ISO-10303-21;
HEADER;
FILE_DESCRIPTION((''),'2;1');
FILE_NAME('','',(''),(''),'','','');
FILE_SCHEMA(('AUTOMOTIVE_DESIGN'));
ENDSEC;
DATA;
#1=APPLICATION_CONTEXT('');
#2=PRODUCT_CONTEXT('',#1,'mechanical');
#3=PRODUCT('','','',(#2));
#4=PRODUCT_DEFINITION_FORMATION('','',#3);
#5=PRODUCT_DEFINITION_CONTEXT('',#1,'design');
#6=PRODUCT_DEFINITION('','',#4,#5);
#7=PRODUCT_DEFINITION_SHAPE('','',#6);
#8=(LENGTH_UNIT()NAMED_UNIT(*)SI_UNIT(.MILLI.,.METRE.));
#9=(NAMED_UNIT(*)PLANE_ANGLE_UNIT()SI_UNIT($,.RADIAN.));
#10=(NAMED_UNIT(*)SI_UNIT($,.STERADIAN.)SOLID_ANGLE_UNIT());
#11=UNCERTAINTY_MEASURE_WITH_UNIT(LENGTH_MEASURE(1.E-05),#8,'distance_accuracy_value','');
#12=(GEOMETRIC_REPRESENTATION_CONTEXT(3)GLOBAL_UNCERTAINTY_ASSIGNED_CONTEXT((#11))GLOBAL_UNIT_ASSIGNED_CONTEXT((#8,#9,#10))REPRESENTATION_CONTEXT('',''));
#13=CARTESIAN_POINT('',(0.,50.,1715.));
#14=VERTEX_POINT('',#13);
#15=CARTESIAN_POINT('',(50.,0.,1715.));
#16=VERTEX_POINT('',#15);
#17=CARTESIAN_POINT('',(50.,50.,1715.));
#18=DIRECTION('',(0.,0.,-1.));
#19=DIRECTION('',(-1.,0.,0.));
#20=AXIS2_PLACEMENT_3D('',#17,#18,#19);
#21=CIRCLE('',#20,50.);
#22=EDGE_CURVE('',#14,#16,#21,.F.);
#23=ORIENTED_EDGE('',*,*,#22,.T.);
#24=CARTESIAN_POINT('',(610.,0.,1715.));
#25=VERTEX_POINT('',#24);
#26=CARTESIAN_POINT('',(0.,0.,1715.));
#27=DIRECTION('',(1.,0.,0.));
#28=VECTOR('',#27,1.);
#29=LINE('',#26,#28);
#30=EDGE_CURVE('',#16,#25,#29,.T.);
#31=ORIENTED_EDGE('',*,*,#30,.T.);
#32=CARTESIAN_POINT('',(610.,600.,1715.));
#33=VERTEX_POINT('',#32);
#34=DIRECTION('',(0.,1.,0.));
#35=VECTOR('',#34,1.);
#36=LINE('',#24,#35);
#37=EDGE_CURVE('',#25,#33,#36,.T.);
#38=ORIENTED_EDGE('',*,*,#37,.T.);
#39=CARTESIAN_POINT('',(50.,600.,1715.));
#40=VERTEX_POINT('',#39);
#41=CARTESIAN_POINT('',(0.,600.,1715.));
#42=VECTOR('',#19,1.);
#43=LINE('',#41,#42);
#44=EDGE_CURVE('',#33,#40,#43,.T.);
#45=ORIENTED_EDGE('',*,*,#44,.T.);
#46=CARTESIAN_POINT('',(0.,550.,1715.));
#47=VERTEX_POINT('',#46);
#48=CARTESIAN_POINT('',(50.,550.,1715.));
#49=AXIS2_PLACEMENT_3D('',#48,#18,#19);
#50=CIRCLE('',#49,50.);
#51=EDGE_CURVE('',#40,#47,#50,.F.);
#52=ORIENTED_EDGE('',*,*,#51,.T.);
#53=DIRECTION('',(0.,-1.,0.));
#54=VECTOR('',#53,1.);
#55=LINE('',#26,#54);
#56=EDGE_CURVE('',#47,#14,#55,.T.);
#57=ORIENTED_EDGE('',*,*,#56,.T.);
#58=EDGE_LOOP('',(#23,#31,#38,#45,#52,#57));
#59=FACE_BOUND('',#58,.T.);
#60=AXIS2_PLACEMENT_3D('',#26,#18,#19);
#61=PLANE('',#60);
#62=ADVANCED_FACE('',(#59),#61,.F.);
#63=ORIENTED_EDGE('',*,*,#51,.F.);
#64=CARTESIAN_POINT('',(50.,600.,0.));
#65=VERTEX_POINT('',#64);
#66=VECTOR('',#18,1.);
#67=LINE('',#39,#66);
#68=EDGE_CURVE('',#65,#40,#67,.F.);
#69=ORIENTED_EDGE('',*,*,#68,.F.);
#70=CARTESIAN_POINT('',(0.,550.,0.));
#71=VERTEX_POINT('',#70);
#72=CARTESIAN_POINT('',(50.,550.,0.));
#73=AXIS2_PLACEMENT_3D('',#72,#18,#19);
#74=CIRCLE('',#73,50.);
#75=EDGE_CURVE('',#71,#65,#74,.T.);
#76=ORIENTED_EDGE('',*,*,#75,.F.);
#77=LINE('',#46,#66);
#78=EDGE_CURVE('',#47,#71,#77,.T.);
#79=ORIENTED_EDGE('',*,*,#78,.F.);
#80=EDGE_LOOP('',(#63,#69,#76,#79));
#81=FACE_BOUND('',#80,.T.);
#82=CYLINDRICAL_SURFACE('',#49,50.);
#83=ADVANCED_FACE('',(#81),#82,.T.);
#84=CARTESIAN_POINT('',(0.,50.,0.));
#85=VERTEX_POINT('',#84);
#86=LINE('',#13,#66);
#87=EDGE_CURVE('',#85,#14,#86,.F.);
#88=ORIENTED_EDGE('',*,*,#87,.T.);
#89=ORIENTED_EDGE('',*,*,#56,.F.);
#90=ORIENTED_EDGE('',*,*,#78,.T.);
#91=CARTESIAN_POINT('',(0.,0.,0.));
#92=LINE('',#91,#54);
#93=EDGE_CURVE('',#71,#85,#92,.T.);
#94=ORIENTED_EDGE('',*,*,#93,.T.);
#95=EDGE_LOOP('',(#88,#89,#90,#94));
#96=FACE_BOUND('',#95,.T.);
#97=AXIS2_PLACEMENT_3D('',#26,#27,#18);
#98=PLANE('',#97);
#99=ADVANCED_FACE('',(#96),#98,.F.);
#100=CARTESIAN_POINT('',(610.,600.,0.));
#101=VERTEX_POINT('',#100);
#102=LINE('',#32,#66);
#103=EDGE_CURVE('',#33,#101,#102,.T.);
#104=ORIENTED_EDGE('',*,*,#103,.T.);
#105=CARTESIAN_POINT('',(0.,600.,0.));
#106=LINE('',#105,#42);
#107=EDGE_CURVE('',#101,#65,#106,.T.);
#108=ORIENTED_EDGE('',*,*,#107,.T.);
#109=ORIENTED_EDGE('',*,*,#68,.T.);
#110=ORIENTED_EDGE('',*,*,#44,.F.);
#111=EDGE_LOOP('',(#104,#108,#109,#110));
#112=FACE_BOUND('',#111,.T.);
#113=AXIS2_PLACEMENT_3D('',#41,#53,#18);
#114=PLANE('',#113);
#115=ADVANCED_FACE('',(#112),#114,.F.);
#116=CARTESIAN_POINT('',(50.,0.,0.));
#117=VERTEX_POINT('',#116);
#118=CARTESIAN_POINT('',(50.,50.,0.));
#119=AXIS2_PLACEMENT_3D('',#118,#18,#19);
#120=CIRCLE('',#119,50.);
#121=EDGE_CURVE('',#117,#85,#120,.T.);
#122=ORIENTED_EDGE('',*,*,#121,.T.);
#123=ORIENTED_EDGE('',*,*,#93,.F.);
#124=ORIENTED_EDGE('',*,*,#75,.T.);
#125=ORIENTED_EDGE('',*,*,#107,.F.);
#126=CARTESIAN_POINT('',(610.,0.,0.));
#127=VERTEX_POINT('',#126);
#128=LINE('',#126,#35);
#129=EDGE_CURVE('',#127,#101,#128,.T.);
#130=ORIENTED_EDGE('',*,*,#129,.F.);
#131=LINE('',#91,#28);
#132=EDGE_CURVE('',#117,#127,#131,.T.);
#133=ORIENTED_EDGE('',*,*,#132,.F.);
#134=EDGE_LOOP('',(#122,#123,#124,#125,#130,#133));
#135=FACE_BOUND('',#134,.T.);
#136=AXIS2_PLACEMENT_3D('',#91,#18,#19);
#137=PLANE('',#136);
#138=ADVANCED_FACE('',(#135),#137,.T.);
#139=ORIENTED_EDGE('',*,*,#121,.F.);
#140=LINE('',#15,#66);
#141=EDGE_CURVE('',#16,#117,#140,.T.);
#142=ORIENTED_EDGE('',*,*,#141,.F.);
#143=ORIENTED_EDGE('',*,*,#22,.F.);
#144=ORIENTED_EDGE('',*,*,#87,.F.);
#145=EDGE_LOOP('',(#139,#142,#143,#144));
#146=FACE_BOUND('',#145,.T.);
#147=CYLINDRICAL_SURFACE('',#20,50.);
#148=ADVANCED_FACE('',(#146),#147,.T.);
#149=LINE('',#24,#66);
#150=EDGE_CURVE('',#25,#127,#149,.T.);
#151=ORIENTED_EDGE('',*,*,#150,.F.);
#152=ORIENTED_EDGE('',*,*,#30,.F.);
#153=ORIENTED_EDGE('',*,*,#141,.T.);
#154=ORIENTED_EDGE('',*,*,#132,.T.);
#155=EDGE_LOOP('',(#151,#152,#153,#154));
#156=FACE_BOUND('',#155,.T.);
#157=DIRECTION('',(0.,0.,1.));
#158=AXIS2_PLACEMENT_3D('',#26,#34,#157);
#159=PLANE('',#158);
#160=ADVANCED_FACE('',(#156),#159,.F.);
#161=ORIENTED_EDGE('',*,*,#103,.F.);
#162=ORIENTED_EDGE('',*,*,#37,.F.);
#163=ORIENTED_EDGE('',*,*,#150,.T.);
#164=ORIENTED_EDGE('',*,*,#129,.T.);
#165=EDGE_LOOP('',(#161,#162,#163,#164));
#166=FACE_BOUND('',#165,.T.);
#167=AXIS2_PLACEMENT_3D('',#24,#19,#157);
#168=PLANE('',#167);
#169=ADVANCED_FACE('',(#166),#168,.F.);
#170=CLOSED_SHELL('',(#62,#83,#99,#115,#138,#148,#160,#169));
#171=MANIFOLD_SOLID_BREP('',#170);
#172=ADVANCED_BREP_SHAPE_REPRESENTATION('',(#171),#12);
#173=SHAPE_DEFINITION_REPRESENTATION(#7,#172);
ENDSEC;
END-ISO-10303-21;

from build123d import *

# Parameters (mm, degrees)
ESBO_O1_W                = 610
ESBO_O1_H                = 600
RESSALTO_EXTRUS_O1_DEPTH = 1715
FILETE1_R                = 50


with BuildPart() as part:
    # Esboço1 → Ressalto-extrusão1 (new body)
    with BuildSketch(Plane.XY):
        with Locations((305, 300)):
            Rectangle(ESBO_O1_W, ESBO_O1_H)
    extrude(amount=RESSALTO_EXTRUS_O1_DEPTH)

    # Filete1
    filete1_edges = [part.edges().sort_by_distance(p)[0] for p in [
        (0, 600, 857.5),
        (0, 0, 857.5),
    ]]
    fillet(filete1_edges, radius=FILETE1_R)


solid = part.part
